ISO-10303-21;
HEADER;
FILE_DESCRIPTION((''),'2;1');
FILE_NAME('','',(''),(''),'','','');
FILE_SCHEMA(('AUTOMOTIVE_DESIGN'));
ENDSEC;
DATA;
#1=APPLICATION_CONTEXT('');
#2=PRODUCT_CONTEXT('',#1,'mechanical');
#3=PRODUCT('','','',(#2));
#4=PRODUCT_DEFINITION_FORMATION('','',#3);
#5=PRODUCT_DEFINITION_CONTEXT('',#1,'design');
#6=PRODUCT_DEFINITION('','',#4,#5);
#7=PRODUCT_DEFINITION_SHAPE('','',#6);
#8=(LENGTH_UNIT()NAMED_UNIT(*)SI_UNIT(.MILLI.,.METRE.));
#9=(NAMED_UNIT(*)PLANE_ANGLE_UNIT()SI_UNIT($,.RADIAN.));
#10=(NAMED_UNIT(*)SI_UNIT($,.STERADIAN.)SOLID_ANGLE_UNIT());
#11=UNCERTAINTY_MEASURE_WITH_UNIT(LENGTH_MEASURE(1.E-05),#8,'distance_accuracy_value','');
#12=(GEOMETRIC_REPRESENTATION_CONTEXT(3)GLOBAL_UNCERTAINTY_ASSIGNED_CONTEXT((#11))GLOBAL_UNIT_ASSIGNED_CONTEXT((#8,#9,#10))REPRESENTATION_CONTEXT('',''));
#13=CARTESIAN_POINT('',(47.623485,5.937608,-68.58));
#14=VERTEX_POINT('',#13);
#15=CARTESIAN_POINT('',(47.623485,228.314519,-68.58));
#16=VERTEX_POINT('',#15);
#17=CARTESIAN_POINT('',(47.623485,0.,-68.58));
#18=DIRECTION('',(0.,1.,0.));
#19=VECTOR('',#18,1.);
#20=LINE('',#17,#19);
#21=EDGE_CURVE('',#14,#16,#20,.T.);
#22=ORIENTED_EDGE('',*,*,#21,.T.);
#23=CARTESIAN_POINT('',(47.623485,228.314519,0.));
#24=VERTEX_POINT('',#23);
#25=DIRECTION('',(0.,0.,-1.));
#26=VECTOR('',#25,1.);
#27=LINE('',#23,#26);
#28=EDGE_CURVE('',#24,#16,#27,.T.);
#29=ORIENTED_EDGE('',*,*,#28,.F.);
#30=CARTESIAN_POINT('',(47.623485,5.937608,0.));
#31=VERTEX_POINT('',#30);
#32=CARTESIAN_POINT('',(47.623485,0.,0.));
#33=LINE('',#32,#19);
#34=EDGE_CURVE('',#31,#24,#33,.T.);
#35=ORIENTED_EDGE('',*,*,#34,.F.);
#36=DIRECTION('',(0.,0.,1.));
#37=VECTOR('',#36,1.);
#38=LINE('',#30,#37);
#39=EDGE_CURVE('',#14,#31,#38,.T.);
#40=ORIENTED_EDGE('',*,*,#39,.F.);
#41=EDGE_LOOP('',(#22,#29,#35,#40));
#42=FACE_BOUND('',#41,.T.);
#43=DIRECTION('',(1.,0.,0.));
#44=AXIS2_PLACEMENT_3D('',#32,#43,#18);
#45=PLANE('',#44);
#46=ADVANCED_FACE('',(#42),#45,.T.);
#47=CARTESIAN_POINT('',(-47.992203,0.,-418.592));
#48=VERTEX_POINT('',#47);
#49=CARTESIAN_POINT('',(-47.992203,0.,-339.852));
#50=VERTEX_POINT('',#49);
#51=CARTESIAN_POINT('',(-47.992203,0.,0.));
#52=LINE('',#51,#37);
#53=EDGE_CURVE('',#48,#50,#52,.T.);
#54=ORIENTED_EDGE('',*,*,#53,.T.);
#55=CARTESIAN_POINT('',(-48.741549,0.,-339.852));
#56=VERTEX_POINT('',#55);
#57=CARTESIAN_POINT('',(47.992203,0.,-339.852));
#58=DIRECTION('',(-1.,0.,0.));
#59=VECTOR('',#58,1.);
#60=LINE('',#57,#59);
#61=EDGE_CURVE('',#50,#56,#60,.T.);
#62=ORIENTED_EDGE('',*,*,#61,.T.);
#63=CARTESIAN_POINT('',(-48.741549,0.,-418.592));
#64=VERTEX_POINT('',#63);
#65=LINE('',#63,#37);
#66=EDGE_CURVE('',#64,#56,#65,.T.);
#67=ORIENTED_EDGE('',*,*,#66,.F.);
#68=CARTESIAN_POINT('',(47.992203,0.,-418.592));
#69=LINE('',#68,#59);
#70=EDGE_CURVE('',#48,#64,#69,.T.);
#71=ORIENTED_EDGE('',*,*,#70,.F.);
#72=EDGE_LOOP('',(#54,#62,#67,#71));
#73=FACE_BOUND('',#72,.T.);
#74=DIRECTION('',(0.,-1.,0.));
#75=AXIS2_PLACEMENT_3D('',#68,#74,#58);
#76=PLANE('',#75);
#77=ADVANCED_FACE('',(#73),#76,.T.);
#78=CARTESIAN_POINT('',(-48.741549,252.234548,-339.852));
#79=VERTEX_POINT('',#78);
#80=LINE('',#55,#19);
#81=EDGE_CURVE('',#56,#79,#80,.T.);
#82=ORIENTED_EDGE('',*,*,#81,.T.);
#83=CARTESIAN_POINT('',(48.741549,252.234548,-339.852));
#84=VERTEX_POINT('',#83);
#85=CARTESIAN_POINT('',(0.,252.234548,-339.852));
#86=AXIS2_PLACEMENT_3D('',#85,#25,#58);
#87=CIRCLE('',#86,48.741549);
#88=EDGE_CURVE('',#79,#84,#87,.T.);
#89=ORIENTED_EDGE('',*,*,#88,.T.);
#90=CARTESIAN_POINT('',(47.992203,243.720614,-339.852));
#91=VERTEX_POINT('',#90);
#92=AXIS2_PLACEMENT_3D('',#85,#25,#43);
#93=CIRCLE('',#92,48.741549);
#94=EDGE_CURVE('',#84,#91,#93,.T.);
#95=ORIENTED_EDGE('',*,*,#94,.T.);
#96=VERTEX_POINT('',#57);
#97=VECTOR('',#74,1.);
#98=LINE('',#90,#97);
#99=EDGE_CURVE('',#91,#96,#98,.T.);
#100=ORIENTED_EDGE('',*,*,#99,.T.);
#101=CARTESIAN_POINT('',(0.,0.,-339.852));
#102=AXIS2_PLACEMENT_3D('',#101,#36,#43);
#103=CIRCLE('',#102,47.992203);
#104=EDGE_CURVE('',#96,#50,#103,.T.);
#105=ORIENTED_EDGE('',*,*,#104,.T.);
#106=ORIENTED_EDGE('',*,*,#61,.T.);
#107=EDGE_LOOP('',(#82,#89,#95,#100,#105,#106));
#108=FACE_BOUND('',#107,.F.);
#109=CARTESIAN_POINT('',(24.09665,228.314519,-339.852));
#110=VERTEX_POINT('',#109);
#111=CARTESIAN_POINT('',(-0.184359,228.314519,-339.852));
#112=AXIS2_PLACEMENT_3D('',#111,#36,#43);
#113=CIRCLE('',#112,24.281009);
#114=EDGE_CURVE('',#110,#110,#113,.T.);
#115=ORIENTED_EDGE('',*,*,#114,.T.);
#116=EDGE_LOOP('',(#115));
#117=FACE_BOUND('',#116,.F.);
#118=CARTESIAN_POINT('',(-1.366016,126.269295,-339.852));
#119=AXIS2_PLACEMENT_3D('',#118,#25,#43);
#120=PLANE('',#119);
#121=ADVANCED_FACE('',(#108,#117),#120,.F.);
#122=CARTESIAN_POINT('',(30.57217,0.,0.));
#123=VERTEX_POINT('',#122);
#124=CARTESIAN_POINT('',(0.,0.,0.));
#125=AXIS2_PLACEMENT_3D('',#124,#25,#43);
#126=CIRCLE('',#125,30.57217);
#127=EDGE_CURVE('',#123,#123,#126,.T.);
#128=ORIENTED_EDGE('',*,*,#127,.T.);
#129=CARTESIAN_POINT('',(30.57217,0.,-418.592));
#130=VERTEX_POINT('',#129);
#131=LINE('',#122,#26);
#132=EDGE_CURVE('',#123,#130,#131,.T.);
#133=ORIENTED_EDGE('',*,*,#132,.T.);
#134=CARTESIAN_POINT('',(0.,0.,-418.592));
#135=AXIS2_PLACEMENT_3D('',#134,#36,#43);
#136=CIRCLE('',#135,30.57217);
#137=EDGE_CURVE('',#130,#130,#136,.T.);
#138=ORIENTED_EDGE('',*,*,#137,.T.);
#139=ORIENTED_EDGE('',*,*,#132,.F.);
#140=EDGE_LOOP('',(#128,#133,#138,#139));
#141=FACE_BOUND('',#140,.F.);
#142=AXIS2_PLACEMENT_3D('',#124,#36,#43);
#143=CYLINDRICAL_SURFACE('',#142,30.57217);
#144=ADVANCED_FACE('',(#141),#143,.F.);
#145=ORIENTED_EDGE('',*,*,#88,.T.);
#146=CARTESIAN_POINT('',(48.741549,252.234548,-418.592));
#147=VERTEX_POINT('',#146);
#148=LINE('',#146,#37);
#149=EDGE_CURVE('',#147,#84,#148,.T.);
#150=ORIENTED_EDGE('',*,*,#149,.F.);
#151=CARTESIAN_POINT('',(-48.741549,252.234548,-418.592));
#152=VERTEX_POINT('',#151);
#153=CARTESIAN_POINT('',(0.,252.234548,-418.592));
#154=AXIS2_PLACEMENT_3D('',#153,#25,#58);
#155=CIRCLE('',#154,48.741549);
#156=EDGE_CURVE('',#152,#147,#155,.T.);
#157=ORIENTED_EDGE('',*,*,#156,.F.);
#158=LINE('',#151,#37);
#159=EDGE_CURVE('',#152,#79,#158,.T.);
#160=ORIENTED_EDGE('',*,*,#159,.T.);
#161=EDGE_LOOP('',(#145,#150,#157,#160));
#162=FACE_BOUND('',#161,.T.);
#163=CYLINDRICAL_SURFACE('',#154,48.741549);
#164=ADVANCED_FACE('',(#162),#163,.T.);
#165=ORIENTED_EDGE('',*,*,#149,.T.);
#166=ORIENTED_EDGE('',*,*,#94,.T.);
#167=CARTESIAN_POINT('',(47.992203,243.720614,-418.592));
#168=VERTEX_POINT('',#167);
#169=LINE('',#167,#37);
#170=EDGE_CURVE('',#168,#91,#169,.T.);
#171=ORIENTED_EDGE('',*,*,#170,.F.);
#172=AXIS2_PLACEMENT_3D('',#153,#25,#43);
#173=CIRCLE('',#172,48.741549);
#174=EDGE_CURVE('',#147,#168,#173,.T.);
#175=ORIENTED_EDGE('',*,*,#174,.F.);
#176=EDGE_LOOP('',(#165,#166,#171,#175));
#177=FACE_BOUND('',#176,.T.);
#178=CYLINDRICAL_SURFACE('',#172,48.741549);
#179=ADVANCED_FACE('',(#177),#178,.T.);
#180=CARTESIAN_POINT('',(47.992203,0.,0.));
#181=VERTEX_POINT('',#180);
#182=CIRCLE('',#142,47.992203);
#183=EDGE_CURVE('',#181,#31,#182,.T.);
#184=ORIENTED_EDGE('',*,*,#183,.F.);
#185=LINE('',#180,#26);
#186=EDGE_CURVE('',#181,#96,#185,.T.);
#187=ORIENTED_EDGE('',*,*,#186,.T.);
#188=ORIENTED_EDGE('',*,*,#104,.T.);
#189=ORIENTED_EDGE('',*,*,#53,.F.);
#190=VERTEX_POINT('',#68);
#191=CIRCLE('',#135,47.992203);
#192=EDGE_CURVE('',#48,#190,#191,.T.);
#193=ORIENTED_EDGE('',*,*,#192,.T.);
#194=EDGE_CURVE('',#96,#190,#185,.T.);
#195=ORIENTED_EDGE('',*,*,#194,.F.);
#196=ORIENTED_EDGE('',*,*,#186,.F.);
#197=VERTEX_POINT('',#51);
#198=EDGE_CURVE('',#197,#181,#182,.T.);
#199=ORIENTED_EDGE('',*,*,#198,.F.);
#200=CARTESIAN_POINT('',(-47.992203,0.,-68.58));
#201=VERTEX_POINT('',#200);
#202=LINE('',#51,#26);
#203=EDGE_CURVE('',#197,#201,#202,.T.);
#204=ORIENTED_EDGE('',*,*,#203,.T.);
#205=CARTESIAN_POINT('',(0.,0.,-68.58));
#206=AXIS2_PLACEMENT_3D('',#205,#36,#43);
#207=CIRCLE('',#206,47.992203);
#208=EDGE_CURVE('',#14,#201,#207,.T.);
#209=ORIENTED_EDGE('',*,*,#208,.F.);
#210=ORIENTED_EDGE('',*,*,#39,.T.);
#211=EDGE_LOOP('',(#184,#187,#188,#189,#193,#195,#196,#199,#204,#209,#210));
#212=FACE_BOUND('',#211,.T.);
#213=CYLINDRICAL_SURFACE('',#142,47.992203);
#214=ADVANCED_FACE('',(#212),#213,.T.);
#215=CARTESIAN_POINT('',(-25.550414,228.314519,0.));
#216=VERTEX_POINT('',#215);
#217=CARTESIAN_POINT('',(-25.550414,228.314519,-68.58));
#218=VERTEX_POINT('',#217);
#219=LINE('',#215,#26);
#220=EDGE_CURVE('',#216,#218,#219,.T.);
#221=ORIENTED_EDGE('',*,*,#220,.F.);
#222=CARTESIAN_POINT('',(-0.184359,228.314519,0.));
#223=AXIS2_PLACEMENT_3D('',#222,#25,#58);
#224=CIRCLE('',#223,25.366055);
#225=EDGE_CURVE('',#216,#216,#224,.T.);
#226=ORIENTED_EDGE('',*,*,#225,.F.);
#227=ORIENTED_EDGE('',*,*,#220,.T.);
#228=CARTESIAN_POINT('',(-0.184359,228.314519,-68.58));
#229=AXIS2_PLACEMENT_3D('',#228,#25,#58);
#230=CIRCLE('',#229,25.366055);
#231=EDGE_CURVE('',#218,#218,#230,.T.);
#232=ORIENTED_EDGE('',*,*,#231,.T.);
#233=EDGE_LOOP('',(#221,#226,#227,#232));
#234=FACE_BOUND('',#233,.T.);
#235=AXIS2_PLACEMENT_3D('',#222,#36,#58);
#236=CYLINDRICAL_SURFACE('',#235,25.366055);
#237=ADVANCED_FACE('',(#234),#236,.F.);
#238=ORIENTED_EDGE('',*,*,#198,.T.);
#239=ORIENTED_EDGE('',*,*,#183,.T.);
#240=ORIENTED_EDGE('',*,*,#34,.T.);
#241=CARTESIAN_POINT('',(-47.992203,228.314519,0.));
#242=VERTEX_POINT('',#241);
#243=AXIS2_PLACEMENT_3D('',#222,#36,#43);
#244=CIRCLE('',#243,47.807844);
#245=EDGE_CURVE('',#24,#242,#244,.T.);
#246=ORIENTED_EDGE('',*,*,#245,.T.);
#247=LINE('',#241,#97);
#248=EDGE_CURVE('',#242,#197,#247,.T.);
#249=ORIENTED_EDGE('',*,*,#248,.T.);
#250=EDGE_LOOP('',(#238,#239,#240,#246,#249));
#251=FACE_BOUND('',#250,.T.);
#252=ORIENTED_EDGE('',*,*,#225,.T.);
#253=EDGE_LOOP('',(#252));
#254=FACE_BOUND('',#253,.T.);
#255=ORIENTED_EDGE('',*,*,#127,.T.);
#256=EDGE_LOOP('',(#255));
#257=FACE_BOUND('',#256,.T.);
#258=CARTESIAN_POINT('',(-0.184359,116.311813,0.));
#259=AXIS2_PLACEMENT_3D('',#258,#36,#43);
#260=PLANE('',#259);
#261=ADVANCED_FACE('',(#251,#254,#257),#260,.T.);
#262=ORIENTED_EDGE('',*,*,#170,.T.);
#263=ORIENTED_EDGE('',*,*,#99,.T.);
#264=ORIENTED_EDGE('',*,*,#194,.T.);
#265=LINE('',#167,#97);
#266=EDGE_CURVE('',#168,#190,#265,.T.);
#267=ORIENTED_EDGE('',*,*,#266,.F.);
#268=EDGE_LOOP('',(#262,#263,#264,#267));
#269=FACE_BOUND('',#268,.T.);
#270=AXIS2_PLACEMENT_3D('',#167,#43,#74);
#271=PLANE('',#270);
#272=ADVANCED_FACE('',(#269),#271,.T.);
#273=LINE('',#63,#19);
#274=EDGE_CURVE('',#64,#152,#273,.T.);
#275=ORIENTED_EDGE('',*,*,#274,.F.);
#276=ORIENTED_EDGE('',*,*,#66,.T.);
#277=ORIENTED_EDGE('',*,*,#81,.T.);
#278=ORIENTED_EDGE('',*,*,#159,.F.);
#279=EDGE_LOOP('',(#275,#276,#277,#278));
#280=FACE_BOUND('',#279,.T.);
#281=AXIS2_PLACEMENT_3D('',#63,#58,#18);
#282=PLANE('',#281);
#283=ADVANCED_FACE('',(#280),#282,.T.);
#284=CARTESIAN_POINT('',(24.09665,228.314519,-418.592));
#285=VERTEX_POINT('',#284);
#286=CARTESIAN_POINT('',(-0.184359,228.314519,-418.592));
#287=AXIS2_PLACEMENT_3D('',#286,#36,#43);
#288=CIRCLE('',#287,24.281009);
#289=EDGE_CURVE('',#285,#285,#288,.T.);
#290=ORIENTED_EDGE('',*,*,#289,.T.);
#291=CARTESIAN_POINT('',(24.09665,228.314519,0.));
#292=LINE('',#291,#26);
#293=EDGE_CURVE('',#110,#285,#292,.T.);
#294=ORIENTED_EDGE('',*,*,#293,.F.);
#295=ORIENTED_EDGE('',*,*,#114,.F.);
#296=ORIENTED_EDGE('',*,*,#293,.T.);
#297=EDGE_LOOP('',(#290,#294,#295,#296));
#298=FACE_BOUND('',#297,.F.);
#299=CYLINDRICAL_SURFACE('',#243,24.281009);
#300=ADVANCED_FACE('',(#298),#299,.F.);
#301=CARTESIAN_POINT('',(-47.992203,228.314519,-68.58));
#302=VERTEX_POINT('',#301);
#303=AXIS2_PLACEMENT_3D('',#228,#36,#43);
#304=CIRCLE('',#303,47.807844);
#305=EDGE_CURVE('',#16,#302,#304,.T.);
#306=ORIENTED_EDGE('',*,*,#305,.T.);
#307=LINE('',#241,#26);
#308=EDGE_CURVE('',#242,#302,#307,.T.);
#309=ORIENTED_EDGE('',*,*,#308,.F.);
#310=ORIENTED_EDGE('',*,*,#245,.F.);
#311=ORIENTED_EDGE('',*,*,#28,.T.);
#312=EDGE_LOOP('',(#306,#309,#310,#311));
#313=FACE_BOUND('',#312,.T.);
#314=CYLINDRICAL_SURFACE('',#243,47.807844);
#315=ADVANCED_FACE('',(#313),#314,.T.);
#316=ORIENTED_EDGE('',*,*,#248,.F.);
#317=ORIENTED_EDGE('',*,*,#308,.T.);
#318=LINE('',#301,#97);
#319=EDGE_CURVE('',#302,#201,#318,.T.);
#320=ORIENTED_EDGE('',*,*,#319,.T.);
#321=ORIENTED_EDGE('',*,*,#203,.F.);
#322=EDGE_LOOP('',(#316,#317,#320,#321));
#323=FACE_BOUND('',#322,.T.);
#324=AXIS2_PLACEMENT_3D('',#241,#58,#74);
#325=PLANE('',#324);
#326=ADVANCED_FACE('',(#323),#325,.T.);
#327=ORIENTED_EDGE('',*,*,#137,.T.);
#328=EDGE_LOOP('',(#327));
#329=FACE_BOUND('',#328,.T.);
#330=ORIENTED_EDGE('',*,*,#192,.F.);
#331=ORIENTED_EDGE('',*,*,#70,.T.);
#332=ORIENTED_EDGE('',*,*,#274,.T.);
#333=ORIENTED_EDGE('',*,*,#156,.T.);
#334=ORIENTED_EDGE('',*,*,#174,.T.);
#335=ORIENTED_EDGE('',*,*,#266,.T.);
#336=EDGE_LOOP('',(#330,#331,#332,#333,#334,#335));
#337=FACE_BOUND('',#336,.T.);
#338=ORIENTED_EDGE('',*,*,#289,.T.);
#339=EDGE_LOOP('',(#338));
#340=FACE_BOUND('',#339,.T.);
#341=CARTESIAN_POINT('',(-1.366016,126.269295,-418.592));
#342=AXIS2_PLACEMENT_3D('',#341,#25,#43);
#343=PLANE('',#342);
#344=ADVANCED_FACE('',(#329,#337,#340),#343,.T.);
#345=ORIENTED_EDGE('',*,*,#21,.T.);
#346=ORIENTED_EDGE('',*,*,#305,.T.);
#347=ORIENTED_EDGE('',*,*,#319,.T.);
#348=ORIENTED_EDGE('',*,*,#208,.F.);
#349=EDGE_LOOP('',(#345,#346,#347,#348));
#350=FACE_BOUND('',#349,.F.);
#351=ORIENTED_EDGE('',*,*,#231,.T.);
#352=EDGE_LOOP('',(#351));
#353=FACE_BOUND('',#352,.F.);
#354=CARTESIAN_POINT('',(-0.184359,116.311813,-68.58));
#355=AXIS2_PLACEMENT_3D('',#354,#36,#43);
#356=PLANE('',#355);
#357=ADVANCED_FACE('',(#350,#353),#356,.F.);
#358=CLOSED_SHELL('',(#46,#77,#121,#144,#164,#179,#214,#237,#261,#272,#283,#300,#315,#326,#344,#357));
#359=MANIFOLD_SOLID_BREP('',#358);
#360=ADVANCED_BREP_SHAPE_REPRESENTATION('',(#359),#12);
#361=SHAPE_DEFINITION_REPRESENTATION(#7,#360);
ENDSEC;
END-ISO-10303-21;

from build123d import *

# Parameters (mm, degrees)
F0_R     = 47.9922028916
F0_R_2   = 30.5721704199
F1_DEPTH = 418.592
F3_DEPTH = 68.58
F5_DEPTH = 78.74
F6_R     = 30.5721704199
F6_R_2   = 24.281009231
F7_DEPTH = 495.3


with BuildPart() as f1:
    # F0 (on Top) → F1 (new body)
    with BuildSketch(Plane.XY):
        Circle(F0_R)
        Circle(F0_R_2, mode=Mode.SUBTRACT)
    extrude(amount=-F1_DEPTH)

    # F2 (on face) → F3 (join)
    with BuildSketch(Plane.XY):
        with BuildLine():
            Line((-47.9922028916, 228.3145189285), (-47.9922028916, 0))
            Line((-47.9922028916, 0), (47.6234853268, 0))
            Line((47.6234853268, 0), (47.6234853268, 228.3145189285))
            ThreePointArc((47.6234853268, 228.3145189285), (-0.1843587824, 180.5066748193), (-47.9922028916, 228.3145189285))
        make_face()
        with BuildLine():
            ThreePointArc((47.6234853268, 228.3145189285), (-0.1843587824, 276.1223630377), (-47.9922028916, 228.3145189285))
            Line((-47.9922028916, 228.3145189285), (-25.5504139221, 228.3145189285))
            ThreePointArc((-25.5504139221, 228.3145189285), (-0.1843587824, 253.6805740682), (25.1816963573, 228.3145189285))
            Line((25.1816963573, 228.3145189285), (47.6234853268, 228.3145189285))
        make_face()
        with BuildLine():
            Line((-25.5504139221, 228.3145189285), (-47.9922028916, 228.3145189285))
            ThreePointArc((-47.9922028916, 228.3145189285), (-0.1843587824, 180.5066748193), (47.6234853268, 228.3145189285))
            Line((47.6234853268, 228.3145189285), (25.1816963573, 228.3145189285))
            ThreePointArc((25.1816963573, 228.3145189285), (-0.1843587824, 202.9484637888), (-25.5504139221, 228.3145189285))
        make_face()
    extrude(amount=-F3_DEPTH)

    # F4 (on face) → F5 (join)
    with BuildSketch(Plane(origin=(0, 0, -418.592), x_dir=(1, 0, 0), z_dir=(0, 0, -1))):
        with BuildLine():
            Line((47.9922028916, -243.720613562), (47.9922028916, 0))
            Line((47.9922028916, 0), (-48.7415492535, 0))
            Line((-48.7415492535, 0), (-48.7415492535, -252.2345483303))
            ThreePointArc((-48.7415492535, -252.2345483303), (-4.2734238383, -203.6806970688), (47.9922028916, -243.720613562))
        make_face()
        with BuildLine():
            ThreePointArc((48.7415492535, -252.2345483303), (48.5538512615, -247.961124492), (47.9922028916, -243.720613562))
            Line((47.9922028916, -243.720613562), (47.9922028916, -252.2345483303))
            Line((47.9922028916, -252.2345483303), (-48.7415492535, -252.2345483303))
            ThreePointArc((-48.7415492535, -252.2345483303), (0, -300.9760975838), (48.7415492535, -252.2345483303))
        make_face()
        with BuildLine():
            Line((47.9922028916, -252.2345483303), (47.9922028916, -243.720613562))
            ThreePointArc((47.9922028916, -243.720613562), (-4.2734238383, -203.6806970688), (-48.7415492535, -252.2345483303))
            Line((-48.7415492535, -252.2345483303), (47.9922028916, -252.2345483303))
        make_face()
    extrude(amount=-F5_DEPTH)

    # F6 (on face) → F7 (cut)
    with BuildSketch(Plane.XY):
        Circle(F6_R)
        with Locations((-0.1843587824, 228.3145189285)):
            Circle(F6_R_2)
    extrude(amount=-F7_DEPTH, mode=Mode.SUBTRACT)


solid = f1.part
